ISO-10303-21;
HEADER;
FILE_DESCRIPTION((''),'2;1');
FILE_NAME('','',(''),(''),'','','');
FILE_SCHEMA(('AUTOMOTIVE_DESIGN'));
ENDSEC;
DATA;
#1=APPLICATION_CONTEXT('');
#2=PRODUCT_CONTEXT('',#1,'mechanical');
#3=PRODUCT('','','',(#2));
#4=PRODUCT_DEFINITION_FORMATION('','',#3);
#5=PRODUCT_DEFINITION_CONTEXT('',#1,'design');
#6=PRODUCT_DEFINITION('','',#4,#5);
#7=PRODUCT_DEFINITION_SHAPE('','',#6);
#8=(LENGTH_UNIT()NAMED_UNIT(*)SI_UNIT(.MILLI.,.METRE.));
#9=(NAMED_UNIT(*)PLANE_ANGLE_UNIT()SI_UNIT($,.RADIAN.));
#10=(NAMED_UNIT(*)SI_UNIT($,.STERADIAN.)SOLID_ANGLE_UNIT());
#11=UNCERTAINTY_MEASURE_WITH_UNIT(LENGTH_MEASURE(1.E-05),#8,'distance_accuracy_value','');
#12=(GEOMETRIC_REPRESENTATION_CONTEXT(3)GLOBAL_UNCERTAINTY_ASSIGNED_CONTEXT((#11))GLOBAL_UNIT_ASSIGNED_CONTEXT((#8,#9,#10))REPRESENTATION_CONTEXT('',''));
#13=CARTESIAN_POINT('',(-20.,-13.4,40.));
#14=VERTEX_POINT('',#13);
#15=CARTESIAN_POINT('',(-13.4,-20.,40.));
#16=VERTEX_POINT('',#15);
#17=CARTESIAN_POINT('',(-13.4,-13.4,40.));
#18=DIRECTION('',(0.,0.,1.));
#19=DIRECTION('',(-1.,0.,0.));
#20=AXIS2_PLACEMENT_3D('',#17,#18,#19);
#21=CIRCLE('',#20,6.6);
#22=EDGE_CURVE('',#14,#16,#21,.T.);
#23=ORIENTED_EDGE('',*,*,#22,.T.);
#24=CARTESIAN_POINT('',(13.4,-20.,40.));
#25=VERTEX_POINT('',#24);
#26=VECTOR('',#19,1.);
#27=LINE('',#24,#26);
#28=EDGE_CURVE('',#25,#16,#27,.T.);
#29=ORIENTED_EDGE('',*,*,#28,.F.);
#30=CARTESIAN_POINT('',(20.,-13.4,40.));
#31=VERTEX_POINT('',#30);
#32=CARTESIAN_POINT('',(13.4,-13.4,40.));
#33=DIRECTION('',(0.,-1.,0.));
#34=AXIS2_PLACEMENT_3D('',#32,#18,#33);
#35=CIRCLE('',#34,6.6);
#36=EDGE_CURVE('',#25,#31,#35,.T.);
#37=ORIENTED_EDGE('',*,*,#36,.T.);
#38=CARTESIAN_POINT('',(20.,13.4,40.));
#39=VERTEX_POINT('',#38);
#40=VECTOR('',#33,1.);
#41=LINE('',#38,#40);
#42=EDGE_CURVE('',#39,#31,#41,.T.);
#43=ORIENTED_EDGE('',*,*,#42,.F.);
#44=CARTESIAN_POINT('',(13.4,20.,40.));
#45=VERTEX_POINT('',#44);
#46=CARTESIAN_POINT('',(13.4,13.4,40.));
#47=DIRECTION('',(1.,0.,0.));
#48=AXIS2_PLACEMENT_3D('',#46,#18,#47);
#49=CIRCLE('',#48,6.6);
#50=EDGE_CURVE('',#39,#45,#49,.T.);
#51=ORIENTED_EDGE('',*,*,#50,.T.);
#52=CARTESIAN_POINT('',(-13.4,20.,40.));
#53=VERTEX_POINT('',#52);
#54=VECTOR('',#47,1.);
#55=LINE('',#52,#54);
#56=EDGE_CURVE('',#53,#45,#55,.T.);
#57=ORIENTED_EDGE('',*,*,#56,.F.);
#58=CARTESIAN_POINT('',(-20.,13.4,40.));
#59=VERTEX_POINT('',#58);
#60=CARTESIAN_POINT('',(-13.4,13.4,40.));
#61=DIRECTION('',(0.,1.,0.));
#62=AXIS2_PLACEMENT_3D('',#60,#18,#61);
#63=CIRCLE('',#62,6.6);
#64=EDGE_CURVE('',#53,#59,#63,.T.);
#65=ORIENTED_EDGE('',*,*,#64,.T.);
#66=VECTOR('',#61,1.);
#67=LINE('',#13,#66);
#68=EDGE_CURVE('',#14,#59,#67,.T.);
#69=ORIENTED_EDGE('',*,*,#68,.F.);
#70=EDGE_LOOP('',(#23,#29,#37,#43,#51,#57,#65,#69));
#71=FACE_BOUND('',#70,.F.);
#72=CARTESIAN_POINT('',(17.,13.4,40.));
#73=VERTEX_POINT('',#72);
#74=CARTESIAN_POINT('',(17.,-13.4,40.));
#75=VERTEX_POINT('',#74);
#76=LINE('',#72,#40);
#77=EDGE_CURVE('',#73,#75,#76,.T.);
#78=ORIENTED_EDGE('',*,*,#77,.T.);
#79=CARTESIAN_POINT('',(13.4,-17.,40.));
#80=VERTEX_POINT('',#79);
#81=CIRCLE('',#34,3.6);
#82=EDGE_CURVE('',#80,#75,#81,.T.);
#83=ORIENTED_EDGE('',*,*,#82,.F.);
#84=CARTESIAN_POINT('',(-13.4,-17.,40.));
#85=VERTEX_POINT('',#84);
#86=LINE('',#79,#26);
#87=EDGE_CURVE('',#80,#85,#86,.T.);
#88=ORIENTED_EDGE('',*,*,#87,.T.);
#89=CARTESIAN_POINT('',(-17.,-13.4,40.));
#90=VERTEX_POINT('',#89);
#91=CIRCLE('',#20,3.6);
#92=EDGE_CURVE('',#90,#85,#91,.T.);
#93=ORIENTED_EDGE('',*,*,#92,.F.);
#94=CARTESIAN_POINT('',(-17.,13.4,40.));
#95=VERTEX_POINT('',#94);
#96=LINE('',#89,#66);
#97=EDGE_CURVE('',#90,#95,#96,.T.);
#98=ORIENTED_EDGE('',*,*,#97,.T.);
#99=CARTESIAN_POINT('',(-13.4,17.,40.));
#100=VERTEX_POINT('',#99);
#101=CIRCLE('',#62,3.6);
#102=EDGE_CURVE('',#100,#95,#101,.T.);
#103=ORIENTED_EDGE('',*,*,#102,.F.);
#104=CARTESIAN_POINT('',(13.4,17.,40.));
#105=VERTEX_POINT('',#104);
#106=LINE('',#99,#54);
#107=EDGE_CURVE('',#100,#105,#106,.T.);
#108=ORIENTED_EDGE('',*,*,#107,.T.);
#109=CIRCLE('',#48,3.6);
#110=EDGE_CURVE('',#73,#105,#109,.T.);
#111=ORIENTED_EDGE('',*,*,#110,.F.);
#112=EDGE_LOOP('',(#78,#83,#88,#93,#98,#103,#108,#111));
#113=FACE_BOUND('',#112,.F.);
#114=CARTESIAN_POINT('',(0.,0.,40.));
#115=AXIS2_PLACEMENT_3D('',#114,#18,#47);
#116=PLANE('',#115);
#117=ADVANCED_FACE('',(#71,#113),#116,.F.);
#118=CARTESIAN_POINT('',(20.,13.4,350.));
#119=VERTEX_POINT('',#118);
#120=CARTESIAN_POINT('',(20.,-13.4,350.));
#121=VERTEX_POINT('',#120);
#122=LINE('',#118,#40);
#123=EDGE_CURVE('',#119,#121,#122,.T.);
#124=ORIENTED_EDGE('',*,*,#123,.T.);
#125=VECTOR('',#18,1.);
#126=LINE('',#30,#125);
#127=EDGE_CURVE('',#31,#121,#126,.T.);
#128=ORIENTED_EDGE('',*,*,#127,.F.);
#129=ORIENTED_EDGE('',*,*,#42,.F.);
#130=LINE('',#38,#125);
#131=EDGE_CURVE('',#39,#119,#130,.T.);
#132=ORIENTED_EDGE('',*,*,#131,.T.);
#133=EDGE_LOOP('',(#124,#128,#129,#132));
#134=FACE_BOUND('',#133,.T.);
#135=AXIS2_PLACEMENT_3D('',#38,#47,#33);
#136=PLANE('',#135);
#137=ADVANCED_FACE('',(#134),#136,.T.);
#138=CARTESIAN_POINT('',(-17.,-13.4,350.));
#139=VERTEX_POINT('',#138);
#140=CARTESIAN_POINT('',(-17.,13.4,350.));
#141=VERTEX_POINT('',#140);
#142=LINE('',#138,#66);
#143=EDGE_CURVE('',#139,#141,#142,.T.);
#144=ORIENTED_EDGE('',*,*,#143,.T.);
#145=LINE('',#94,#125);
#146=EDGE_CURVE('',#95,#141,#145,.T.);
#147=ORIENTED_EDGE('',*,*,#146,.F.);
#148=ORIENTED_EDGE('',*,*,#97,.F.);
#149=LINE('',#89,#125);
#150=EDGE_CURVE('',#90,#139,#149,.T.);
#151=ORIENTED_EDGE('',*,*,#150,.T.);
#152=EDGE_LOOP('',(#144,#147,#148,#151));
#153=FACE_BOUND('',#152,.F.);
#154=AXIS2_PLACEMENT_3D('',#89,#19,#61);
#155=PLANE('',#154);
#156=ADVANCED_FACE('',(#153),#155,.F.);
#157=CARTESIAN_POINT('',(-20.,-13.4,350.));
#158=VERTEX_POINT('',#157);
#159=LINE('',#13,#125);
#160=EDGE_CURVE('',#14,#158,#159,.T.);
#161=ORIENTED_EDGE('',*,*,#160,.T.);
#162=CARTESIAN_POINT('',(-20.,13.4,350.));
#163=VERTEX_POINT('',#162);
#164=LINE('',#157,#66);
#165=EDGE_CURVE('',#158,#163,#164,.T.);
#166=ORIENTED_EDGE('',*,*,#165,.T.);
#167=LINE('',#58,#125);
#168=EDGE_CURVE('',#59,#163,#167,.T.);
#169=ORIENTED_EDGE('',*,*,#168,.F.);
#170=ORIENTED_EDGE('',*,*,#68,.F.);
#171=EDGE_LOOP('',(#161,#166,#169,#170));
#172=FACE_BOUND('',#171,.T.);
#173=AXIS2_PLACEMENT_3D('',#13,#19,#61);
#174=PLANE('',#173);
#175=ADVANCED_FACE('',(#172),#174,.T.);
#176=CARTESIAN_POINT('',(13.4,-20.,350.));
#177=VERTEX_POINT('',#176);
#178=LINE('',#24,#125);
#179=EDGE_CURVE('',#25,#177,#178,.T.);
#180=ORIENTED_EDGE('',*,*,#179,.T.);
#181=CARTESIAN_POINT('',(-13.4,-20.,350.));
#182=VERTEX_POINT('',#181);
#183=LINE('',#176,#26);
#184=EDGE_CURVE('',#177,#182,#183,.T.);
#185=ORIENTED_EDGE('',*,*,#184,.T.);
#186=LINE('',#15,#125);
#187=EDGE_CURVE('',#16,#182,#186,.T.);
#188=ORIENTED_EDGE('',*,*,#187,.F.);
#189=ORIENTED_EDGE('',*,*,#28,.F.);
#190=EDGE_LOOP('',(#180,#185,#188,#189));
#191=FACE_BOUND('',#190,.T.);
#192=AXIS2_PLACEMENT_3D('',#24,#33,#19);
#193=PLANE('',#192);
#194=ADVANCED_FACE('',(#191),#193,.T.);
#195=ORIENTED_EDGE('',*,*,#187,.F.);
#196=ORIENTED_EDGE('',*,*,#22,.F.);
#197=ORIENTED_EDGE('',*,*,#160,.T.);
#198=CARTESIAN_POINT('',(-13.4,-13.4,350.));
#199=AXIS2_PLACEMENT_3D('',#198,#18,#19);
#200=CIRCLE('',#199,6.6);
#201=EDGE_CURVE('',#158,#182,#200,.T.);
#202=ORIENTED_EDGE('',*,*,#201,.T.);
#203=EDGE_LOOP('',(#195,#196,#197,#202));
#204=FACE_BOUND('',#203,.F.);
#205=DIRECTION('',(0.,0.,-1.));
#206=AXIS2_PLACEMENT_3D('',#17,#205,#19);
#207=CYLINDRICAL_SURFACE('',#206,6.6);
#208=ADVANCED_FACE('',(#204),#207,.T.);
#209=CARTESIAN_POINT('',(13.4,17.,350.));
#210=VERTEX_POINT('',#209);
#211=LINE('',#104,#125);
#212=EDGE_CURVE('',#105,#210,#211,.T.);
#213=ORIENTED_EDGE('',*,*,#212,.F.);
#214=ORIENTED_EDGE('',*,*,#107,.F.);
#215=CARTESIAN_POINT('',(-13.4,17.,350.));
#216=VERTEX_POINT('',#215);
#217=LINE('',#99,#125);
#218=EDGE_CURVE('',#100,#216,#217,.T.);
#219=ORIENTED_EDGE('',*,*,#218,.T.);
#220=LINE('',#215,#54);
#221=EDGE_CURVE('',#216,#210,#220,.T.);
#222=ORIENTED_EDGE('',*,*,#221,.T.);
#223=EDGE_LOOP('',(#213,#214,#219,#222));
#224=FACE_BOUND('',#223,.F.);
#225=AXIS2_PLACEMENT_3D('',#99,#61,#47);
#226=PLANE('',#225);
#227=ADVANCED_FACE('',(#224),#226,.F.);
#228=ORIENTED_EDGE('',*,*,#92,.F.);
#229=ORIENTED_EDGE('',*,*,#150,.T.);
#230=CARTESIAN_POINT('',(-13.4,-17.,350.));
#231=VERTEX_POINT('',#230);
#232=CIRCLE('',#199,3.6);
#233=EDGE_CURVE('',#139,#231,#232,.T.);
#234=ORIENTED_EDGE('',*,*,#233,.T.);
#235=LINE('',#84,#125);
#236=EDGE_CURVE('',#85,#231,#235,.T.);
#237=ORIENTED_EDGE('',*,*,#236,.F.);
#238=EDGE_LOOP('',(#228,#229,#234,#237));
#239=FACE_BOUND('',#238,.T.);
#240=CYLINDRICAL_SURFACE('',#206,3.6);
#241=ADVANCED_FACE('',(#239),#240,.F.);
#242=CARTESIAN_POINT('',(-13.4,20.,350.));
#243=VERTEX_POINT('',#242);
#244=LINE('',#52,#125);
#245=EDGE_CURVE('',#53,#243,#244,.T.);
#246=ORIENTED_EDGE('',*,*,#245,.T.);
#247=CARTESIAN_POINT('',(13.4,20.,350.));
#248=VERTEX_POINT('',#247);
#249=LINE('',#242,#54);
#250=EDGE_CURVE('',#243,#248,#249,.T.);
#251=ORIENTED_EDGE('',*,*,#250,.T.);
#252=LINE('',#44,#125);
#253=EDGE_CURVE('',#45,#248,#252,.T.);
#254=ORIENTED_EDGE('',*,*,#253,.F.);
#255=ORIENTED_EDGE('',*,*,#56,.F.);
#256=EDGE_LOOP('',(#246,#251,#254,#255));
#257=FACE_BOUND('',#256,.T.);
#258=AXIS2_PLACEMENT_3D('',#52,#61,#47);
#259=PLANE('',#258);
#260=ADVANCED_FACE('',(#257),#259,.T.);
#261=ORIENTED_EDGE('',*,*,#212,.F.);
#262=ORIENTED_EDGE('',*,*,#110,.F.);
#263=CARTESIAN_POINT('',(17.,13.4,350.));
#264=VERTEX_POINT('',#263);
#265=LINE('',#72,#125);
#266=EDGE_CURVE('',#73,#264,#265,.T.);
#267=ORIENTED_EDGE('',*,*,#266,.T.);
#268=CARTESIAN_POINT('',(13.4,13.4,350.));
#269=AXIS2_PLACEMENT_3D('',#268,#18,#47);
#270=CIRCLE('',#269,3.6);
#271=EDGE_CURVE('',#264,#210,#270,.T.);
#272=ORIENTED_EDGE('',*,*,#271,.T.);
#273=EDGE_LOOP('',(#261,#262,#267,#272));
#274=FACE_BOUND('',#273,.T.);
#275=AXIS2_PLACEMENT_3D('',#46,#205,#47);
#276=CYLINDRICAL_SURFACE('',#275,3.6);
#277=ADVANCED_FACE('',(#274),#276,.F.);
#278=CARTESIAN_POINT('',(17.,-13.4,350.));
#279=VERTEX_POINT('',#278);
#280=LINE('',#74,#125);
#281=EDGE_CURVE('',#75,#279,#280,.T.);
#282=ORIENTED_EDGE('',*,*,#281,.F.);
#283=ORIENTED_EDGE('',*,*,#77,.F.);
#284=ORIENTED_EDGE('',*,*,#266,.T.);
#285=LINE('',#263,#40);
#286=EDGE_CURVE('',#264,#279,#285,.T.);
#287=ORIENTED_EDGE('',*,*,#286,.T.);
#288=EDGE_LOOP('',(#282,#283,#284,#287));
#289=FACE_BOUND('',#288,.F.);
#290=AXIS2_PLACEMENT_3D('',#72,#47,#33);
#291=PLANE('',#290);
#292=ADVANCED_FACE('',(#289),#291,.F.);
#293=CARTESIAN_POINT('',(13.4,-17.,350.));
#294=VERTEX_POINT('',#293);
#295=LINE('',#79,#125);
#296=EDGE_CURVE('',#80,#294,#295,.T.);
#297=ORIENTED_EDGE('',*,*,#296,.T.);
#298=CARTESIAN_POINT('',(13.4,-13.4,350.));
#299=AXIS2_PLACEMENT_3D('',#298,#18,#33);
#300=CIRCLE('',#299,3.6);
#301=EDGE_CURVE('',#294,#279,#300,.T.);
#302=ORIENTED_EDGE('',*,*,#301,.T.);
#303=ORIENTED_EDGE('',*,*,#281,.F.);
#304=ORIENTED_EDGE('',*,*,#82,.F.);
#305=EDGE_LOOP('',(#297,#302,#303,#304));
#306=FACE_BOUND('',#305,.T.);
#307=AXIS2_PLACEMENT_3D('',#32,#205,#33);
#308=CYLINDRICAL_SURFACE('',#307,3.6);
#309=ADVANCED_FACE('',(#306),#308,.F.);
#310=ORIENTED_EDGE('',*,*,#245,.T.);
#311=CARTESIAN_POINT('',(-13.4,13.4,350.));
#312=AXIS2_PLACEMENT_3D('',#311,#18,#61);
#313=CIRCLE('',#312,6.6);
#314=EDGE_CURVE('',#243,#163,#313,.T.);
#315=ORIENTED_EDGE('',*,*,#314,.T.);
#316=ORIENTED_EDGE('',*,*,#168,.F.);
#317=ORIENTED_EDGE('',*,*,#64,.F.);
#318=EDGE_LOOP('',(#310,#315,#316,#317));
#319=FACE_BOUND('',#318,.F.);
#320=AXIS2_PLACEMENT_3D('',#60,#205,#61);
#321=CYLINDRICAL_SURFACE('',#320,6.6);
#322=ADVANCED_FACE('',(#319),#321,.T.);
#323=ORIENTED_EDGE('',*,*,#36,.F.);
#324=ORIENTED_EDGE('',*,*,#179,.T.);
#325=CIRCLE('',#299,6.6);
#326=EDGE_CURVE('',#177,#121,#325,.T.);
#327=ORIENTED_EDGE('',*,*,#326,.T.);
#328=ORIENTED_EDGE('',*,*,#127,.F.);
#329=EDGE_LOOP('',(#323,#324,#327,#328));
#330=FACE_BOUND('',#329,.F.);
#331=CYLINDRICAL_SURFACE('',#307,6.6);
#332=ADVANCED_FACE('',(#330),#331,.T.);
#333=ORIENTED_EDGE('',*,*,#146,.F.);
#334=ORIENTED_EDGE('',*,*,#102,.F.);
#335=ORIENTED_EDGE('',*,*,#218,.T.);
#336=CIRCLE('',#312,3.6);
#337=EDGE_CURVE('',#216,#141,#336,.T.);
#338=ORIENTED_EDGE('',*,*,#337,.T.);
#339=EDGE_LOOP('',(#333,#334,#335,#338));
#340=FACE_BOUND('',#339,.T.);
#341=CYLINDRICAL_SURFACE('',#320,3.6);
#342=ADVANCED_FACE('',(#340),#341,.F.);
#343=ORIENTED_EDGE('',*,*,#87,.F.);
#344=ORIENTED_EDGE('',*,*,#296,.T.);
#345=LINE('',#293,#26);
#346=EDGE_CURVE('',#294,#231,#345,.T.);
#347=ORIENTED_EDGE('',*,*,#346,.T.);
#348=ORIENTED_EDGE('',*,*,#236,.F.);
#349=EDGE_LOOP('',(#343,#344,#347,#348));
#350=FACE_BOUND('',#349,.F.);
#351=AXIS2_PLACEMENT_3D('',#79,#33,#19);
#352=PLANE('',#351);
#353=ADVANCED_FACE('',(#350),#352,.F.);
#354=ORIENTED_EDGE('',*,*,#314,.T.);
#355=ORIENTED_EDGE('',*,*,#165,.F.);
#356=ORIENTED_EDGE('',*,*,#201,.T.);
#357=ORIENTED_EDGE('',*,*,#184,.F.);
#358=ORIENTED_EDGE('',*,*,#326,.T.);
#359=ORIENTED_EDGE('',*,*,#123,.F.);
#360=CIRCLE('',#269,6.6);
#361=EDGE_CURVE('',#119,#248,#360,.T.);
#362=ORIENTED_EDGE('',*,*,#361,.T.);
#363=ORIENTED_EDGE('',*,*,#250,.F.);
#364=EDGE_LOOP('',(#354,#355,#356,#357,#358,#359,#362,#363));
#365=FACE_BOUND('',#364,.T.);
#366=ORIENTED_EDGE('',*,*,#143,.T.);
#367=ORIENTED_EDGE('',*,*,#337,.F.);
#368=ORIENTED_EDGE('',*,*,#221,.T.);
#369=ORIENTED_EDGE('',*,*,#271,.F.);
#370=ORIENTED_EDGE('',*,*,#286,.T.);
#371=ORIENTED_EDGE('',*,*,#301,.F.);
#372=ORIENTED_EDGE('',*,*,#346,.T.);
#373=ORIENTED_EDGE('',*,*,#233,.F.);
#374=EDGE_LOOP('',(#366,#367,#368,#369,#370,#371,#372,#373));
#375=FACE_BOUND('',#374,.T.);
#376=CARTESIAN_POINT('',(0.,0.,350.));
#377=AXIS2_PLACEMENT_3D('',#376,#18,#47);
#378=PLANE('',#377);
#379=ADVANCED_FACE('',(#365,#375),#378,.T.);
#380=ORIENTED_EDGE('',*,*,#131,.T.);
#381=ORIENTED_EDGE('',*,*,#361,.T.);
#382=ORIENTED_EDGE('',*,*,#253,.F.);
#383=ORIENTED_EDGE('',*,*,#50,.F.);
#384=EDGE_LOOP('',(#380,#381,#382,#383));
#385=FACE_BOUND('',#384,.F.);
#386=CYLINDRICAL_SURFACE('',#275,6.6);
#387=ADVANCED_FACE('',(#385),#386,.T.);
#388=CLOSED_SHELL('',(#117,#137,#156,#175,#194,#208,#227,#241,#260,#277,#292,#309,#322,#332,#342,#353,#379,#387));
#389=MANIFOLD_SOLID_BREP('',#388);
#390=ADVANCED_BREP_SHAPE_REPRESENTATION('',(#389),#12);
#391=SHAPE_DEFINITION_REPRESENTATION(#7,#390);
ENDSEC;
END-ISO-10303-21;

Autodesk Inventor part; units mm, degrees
ref_plane "Start plane" through (0, 0, 40) normal (0, 0, 1) x (1, 0, 0)
ref_plane "End plane" through (0, 0, 350) normal (0, 0, 1) x (1, 0, 0)
sketch "Sketch" plane through (0, 0, 0) normal (0, 0, 1) x (1, 0, 0)
  line L0 (-20, -13.4) -> (-20, 13.4)
  line L1 (-13.4, 20) -> (13.4, 20)
  line L2 (20, 13.4) -> (20, -13.4)
  line L3 (13.4, -20) -> (-13.4, -20)
  arc A0 (-20, -13.4) -> (-13.4, -20) centre (-13.4, -13.4) ccw
  arc A1 (-13.4, 20) -> (-20, 13.4) centre (-13.4, 13.4) ccw
  arc A2 (20, 13.4) -> (13.4, 20) centre (13.4, 13.4) ccw
  arc A3 (13.4, -20) -> (20, -13.4) centre (13.4, -13.4) ccw
  arc A4 (-13.4, 17) -> (-17, 13.4) centre (-13.4, 13.4) ccw
  line L4 (-13.4, 17) -> (13.4, 17)
  arc A5 (17, 13.4) -> (13.4, 17) centre (13.4, 13.4) ccw
  line L5 (17, 13.4) -> (17, -13.4)
  arc A6 (13.4, -17) -> (17, -13.4) centre (13.4, -13.4) ccw
  line L6 (13.4, -17) -> (-13.4, -17)
  arc A7 (-17, -13.4) -> (-13.4, -17) centre (-13.4, -13.4) ccw
  line L7 (-17, -13.4) -> (-17, 13.4)
  line L8 (0, 29.9137) -> (0, -29.9137) construction
  line L9 (-29.9137, 0) -> (29.9137, 0) construction
  dimension "d7" = 6.6
  dimension "d10" = 40
  dimension "d11" = 40
  dimension "d12" = 3
  dimension "d15" = 20
  dimension "d16" = 20
extrude "Body" add sketch "Sketch" along normal up to surface (310 mm away) from surface at 40
sketch "Sketch3" plane through (0, 0, 0) normal (0, 0, 1) x (1, 0, 0)
  line L0 (0, 0) -> (10, 0)
ref_plane "Work Plane3" through (0, 0, 0) normal (0, -1, 0) x (1, 0, 0)
sketch "Sketch4" plane through (0, 0, 0) normal (0, -1, 0) x (1, 0, 0)
  line L0 (-2, 40) -> (12, 40)
  line L1 (-2, 350) -> (12, 350)
  dimension "d18" = 310
ref_plane "Work Plane4" through (235, -599.2, 350) normal (0, 0, 1) x (1, 0, 0)
split "Split1" plane through (235, -599.2, 350) removes the side toward (0, 0, 1)
ref_plane "Work Plane6" through (-515, 9.2, 350) normal (0, 0, 1) x (1, 0, 0)
split "Split3" plane through (-515, 9.2, 350) removes the side toward (0, 0, 1)
ref_plane "Work Plane7" through (13.4, -631, 40) normal (0, 0, -1) x (-1, 0, 0)
split "Split4" plane through (13.4, -631, 40) removes the side toward (0, 0, -1)
equation "\"d7\" = G_IR"
equation "\"d10\" = G_H"
equation "\"d11\" = G_W"
equation "\"d12\" = G_T"
equation "\"d15\" = 0.5 * d10"
equation "\"d16\" = 0.5 * d11"
equation "\"d3\" = G_L"
equation "\"G_W\" = 40"
equation "\"G_H\" = 40"
equation "\"G_T\" = 3"
equation "\"G_IR\" = 6.6"
equation "\"G_L\" = d18"
properties part number "DIN EN 10305-5 - 40 x 40 x 3  - 310" material "Steel, Mild"
